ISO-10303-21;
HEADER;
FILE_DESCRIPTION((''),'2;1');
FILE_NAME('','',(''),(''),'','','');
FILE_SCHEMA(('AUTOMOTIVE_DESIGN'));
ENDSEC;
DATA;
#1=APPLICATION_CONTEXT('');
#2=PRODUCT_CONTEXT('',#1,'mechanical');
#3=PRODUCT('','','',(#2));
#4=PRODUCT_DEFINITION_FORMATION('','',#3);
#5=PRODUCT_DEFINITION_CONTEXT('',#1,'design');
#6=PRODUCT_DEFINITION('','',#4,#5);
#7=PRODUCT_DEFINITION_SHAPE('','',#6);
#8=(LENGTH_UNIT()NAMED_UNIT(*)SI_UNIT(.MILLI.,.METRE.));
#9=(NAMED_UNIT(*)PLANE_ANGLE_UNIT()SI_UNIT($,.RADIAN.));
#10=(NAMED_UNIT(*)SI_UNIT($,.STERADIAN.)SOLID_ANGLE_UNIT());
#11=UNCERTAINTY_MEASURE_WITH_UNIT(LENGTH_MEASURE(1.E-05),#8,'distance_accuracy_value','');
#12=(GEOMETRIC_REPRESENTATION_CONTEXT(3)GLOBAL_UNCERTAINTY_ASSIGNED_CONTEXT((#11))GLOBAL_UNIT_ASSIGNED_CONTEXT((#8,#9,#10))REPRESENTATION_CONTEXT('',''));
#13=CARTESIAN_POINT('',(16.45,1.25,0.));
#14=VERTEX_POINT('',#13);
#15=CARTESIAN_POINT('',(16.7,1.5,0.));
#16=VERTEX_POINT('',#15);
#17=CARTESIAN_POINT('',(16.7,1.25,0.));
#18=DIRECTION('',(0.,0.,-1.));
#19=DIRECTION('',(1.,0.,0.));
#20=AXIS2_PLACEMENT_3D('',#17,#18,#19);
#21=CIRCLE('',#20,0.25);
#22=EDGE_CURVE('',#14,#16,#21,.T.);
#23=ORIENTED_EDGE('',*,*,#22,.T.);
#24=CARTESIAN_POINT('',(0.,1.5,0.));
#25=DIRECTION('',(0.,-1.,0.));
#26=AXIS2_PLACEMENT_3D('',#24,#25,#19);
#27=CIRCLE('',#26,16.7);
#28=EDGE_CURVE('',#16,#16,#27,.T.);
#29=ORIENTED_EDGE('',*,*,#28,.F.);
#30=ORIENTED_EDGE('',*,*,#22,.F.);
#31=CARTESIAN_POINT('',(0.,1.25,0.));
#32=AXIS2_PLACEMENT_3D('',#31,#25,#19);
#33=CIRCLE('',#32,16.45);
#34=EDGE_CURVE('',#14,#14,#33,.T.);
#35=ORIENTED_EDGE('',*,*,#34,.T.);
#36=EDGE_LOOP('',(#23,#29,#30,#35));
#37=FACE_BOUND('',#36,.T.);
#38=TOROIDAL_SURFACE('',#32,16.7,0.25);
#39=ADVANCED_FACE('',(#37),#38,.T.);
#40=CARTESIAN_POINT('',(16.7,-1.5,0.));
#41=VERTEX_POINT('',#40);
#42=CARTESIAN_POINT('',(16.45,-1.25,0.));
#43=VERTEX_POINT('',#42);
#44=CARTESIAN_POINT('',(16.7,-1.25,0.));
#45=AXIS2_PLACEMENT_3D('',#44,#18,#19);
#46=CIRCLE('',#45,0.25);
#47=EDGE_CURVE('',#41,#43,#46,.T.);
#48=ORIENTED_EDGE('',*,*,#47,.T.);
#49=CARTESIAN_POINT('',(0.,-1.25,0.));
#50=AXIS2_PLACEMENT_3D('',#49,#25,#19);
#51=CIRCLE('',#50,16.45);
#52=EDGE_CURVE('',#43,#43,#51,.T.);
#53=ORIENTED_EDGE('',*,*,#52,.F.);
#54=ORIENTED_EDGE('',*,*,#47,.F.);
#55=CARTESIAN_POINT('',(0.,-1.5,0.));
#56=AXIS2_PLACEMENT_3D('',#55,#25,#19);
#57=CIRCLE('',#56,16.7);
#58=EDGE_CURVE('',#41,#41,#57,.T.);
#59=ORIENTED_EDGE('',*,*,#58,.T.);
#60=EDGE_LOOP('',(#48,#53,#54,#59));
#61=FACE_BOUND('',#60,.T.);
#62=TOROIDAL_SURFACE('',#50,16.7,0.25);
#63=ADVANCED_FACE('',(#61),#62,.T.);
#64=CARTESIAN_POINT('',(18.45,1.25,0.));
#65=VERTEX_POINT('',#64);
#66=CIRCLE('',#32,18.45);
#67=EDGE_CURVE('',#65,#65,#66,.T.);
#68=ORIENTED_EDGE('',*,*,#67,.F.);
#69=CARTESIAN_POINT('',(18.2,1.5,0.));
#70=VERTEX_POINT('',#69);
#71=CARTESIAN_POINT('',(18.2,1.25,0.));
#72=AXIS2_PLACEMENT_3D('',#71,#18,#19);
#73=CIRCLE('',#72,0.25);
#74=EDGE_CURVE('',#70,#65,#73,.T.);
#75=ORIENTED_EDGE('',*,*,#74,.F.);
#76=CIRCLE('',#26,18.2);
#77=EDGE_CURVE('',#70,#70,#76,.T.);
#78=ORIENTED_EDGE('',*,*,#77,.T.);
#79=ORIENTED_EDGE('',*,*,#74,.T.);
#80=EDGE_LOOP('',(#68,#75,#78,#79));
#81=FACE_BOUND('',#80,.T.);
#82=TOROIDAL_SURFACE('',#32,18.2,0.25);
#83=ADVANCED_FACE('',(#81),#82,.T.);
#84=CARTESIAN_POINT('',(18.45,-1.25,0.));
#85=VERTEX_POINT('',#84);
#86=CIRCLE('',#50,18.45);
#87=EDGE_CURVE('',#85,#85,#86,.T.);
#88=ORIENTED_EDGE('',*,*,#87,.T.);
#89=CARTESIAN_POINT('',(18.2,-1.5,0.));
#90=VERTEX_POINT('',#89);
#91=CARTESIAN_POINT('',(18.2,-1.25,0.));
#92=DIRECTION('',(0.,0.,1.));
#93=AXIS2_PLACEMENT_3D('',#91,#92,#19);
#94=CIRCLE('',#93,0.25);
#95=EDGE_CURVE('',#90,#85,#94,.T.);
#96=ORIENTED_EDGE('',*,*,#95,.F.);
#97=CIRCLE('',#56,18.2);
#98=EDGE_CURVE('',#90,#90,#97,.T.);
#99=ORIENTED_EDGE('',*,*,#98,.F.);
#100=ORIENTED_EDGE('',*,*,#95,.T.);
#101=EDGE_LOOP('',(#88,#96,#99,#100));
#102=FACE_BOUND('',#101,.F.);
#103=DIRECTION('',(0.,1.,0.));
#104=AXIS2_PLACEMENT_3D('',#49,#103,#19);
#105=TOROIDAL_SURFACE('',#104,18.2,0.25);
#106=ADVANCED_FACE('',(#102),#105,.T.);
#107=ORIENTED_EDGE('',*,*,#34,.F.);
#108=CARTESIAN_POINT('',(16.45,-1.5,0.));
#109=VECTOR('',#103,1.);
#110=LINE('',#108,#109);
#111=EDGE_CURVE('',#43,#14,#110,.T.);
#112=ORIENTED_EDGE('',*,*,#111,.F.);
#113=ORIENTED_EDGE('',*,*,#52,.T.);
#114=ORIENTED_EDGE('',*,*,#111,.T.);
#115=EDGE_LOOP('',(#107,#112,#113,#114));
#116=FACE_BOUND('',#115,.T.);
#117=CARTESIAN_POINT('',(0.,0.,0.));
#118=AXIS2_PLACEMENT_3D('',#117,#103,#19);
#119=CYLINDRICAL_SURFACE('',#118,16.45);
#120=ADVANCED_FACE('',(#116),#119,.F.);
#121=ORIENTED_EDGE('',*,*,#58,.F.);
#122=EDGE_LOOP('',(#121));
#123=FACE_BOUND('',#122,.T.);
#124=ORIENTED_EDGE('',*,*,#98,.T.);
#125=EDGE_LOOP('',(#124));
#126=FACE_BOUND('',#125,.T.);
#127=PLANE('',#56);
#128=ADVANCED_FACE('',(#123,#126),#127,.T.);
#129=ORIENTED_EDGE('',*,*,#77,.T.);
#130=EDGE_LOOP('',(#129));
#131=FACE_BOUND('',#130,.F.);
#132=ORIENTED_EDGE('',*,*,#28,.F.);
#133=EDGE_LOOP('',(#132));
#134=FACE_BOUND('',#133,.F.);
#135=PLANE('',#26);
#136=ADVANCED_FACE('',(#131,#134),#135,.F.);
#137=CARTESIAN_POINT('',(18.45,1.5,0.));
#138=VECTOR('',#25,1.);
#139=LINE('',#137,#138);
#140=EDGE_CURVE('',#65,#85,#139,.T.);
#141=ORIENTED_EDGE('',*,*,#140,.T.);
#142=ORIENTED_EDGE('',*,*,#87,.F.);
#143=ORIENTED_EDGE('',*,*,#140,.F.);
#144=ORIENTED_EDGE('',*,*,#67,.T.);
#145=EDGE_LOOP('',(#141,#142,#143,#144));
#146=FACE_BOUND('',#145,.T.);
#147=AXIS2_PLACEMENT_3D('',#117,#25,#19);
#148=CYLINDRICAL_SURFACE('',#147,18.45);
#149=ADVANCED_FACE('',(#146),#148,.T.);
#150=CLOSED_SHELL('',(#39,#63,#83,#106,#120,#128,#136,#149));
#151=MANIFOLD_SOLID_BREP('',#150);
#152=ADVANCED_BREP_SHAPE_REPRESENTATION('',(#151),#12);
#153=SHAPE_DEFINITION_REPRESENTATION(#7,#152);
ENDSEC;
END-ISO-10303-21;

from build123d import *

# Parameters (mm, degrees)
F0_R     = 18.45
F0_R_2   = 16.45
F1_DEPTH = 1.5
F2_R     = 0.25
F3_R     = 0.25
F4_R     = 0.25


with BuildPart() as f1:
    # F0 (on Front) → F1 (new body, symmetric)
    with BuildSketch(Plane.XZ):
        Circle(F0_R)
        Circle(F0_R_2, mode=Mode.SUBTRACT)
    extrude(amount=F1_DEPTH, both=True)

    # F2
    f2_edges = [f1.edges().sort_by_distance(p)[0] for p in [
        (-16.45, -1.5, 0),
    ]]
    fillet(f2_edges, radius=F2_R)

    # F3
    f3_edges = [f1.edges().sort_by_distance(p)[0] for p in [
        (-16.45, 1.5, 0),
    ]]
    fillet(f3_edges, radius=F3_R)

    # F4
    f4_edges = [f1.edges().sort_by_distance(p)[0] for p in [
        (-18.45, -1.5, 0),
        (-18.45, 1.5, 0),
    ]]
    fillet(f4_edges, radius=F4_R)


solid = f1.part
